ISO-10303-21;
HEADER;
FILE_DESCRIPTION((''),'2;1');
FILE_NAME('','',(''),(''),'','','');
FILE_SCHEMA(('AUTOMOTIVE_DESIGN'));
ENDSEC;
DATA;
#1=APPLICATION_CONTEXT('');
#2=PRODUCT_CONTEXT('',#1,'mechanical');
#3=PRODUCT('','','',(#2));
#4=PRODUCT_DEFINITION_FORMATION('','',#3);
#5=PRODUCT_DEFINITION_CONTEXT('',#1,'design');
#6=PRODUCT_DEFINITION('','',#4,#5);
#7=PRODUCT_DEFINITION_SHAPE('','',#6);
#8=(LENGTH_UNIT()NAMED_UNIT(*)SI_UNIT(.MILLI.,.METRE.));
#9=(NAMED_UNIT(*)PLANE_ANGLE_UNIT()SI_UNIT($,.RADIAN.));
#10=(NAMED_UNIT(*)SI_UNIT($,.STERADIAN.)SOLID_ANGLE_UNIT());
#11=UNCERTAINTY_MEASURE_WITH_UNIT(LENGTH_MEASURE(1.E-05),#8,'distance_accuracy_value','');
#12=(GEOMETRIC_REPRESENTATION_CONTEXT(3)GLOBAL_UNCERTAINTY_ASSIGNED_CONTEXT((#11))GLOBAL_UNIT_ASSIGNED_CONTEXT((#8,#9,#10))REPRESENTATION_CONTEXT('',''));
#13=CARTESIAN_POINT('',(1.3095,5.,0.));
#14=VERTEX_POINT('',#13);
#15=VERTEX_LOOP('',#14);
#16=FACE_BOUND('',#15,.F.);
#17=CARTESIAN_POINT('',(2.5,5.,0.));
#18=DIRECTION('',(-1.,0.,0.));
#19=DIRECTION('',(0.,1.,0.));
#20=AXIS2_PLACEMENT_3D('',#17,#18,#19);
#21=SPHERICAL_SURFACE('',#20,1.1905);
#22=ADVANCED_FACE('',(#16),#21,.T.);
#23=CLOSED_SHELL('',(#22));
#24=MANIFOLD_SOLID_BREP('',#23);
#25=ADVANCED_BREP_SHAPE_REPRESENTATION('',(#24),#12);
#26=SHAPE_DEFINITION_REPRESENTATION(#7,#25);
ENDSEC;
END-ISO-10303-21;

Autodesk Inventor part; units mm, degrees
ref_plane "YZ Plane" through (0, 0, 0) normal (1, 0, 0) x (0, 1, 0)
ref_plane "XZ Plane" through (0, 0, 0) normal (0, 1, 0) x (-1, 0, 0)
ref_plane "XY Plane" through (0, 0, 0) normal (0, 0, 1) x (1, 0, 0)
sketch "Sketch_6" plane through (0, 0, 0) normal (0, 0, 1) x (1, 0, 0)
  line L0 (3.6905, 5) -> (1.3095, 5)
  arc A0 (3.6905, 5) -> (1.3095, 5) centre (2.5, 5) ccw
  line L1 (3.6905, 5) -> (1.3095, 5)
  dimension "d0" = 360
revolve "Revolution1" add sketch "Sketch_6" angle 360 about axis through (3.6905, 5, 0) along (1, 0, 0)
properties part number "SKF_634-2Z_PART3"
